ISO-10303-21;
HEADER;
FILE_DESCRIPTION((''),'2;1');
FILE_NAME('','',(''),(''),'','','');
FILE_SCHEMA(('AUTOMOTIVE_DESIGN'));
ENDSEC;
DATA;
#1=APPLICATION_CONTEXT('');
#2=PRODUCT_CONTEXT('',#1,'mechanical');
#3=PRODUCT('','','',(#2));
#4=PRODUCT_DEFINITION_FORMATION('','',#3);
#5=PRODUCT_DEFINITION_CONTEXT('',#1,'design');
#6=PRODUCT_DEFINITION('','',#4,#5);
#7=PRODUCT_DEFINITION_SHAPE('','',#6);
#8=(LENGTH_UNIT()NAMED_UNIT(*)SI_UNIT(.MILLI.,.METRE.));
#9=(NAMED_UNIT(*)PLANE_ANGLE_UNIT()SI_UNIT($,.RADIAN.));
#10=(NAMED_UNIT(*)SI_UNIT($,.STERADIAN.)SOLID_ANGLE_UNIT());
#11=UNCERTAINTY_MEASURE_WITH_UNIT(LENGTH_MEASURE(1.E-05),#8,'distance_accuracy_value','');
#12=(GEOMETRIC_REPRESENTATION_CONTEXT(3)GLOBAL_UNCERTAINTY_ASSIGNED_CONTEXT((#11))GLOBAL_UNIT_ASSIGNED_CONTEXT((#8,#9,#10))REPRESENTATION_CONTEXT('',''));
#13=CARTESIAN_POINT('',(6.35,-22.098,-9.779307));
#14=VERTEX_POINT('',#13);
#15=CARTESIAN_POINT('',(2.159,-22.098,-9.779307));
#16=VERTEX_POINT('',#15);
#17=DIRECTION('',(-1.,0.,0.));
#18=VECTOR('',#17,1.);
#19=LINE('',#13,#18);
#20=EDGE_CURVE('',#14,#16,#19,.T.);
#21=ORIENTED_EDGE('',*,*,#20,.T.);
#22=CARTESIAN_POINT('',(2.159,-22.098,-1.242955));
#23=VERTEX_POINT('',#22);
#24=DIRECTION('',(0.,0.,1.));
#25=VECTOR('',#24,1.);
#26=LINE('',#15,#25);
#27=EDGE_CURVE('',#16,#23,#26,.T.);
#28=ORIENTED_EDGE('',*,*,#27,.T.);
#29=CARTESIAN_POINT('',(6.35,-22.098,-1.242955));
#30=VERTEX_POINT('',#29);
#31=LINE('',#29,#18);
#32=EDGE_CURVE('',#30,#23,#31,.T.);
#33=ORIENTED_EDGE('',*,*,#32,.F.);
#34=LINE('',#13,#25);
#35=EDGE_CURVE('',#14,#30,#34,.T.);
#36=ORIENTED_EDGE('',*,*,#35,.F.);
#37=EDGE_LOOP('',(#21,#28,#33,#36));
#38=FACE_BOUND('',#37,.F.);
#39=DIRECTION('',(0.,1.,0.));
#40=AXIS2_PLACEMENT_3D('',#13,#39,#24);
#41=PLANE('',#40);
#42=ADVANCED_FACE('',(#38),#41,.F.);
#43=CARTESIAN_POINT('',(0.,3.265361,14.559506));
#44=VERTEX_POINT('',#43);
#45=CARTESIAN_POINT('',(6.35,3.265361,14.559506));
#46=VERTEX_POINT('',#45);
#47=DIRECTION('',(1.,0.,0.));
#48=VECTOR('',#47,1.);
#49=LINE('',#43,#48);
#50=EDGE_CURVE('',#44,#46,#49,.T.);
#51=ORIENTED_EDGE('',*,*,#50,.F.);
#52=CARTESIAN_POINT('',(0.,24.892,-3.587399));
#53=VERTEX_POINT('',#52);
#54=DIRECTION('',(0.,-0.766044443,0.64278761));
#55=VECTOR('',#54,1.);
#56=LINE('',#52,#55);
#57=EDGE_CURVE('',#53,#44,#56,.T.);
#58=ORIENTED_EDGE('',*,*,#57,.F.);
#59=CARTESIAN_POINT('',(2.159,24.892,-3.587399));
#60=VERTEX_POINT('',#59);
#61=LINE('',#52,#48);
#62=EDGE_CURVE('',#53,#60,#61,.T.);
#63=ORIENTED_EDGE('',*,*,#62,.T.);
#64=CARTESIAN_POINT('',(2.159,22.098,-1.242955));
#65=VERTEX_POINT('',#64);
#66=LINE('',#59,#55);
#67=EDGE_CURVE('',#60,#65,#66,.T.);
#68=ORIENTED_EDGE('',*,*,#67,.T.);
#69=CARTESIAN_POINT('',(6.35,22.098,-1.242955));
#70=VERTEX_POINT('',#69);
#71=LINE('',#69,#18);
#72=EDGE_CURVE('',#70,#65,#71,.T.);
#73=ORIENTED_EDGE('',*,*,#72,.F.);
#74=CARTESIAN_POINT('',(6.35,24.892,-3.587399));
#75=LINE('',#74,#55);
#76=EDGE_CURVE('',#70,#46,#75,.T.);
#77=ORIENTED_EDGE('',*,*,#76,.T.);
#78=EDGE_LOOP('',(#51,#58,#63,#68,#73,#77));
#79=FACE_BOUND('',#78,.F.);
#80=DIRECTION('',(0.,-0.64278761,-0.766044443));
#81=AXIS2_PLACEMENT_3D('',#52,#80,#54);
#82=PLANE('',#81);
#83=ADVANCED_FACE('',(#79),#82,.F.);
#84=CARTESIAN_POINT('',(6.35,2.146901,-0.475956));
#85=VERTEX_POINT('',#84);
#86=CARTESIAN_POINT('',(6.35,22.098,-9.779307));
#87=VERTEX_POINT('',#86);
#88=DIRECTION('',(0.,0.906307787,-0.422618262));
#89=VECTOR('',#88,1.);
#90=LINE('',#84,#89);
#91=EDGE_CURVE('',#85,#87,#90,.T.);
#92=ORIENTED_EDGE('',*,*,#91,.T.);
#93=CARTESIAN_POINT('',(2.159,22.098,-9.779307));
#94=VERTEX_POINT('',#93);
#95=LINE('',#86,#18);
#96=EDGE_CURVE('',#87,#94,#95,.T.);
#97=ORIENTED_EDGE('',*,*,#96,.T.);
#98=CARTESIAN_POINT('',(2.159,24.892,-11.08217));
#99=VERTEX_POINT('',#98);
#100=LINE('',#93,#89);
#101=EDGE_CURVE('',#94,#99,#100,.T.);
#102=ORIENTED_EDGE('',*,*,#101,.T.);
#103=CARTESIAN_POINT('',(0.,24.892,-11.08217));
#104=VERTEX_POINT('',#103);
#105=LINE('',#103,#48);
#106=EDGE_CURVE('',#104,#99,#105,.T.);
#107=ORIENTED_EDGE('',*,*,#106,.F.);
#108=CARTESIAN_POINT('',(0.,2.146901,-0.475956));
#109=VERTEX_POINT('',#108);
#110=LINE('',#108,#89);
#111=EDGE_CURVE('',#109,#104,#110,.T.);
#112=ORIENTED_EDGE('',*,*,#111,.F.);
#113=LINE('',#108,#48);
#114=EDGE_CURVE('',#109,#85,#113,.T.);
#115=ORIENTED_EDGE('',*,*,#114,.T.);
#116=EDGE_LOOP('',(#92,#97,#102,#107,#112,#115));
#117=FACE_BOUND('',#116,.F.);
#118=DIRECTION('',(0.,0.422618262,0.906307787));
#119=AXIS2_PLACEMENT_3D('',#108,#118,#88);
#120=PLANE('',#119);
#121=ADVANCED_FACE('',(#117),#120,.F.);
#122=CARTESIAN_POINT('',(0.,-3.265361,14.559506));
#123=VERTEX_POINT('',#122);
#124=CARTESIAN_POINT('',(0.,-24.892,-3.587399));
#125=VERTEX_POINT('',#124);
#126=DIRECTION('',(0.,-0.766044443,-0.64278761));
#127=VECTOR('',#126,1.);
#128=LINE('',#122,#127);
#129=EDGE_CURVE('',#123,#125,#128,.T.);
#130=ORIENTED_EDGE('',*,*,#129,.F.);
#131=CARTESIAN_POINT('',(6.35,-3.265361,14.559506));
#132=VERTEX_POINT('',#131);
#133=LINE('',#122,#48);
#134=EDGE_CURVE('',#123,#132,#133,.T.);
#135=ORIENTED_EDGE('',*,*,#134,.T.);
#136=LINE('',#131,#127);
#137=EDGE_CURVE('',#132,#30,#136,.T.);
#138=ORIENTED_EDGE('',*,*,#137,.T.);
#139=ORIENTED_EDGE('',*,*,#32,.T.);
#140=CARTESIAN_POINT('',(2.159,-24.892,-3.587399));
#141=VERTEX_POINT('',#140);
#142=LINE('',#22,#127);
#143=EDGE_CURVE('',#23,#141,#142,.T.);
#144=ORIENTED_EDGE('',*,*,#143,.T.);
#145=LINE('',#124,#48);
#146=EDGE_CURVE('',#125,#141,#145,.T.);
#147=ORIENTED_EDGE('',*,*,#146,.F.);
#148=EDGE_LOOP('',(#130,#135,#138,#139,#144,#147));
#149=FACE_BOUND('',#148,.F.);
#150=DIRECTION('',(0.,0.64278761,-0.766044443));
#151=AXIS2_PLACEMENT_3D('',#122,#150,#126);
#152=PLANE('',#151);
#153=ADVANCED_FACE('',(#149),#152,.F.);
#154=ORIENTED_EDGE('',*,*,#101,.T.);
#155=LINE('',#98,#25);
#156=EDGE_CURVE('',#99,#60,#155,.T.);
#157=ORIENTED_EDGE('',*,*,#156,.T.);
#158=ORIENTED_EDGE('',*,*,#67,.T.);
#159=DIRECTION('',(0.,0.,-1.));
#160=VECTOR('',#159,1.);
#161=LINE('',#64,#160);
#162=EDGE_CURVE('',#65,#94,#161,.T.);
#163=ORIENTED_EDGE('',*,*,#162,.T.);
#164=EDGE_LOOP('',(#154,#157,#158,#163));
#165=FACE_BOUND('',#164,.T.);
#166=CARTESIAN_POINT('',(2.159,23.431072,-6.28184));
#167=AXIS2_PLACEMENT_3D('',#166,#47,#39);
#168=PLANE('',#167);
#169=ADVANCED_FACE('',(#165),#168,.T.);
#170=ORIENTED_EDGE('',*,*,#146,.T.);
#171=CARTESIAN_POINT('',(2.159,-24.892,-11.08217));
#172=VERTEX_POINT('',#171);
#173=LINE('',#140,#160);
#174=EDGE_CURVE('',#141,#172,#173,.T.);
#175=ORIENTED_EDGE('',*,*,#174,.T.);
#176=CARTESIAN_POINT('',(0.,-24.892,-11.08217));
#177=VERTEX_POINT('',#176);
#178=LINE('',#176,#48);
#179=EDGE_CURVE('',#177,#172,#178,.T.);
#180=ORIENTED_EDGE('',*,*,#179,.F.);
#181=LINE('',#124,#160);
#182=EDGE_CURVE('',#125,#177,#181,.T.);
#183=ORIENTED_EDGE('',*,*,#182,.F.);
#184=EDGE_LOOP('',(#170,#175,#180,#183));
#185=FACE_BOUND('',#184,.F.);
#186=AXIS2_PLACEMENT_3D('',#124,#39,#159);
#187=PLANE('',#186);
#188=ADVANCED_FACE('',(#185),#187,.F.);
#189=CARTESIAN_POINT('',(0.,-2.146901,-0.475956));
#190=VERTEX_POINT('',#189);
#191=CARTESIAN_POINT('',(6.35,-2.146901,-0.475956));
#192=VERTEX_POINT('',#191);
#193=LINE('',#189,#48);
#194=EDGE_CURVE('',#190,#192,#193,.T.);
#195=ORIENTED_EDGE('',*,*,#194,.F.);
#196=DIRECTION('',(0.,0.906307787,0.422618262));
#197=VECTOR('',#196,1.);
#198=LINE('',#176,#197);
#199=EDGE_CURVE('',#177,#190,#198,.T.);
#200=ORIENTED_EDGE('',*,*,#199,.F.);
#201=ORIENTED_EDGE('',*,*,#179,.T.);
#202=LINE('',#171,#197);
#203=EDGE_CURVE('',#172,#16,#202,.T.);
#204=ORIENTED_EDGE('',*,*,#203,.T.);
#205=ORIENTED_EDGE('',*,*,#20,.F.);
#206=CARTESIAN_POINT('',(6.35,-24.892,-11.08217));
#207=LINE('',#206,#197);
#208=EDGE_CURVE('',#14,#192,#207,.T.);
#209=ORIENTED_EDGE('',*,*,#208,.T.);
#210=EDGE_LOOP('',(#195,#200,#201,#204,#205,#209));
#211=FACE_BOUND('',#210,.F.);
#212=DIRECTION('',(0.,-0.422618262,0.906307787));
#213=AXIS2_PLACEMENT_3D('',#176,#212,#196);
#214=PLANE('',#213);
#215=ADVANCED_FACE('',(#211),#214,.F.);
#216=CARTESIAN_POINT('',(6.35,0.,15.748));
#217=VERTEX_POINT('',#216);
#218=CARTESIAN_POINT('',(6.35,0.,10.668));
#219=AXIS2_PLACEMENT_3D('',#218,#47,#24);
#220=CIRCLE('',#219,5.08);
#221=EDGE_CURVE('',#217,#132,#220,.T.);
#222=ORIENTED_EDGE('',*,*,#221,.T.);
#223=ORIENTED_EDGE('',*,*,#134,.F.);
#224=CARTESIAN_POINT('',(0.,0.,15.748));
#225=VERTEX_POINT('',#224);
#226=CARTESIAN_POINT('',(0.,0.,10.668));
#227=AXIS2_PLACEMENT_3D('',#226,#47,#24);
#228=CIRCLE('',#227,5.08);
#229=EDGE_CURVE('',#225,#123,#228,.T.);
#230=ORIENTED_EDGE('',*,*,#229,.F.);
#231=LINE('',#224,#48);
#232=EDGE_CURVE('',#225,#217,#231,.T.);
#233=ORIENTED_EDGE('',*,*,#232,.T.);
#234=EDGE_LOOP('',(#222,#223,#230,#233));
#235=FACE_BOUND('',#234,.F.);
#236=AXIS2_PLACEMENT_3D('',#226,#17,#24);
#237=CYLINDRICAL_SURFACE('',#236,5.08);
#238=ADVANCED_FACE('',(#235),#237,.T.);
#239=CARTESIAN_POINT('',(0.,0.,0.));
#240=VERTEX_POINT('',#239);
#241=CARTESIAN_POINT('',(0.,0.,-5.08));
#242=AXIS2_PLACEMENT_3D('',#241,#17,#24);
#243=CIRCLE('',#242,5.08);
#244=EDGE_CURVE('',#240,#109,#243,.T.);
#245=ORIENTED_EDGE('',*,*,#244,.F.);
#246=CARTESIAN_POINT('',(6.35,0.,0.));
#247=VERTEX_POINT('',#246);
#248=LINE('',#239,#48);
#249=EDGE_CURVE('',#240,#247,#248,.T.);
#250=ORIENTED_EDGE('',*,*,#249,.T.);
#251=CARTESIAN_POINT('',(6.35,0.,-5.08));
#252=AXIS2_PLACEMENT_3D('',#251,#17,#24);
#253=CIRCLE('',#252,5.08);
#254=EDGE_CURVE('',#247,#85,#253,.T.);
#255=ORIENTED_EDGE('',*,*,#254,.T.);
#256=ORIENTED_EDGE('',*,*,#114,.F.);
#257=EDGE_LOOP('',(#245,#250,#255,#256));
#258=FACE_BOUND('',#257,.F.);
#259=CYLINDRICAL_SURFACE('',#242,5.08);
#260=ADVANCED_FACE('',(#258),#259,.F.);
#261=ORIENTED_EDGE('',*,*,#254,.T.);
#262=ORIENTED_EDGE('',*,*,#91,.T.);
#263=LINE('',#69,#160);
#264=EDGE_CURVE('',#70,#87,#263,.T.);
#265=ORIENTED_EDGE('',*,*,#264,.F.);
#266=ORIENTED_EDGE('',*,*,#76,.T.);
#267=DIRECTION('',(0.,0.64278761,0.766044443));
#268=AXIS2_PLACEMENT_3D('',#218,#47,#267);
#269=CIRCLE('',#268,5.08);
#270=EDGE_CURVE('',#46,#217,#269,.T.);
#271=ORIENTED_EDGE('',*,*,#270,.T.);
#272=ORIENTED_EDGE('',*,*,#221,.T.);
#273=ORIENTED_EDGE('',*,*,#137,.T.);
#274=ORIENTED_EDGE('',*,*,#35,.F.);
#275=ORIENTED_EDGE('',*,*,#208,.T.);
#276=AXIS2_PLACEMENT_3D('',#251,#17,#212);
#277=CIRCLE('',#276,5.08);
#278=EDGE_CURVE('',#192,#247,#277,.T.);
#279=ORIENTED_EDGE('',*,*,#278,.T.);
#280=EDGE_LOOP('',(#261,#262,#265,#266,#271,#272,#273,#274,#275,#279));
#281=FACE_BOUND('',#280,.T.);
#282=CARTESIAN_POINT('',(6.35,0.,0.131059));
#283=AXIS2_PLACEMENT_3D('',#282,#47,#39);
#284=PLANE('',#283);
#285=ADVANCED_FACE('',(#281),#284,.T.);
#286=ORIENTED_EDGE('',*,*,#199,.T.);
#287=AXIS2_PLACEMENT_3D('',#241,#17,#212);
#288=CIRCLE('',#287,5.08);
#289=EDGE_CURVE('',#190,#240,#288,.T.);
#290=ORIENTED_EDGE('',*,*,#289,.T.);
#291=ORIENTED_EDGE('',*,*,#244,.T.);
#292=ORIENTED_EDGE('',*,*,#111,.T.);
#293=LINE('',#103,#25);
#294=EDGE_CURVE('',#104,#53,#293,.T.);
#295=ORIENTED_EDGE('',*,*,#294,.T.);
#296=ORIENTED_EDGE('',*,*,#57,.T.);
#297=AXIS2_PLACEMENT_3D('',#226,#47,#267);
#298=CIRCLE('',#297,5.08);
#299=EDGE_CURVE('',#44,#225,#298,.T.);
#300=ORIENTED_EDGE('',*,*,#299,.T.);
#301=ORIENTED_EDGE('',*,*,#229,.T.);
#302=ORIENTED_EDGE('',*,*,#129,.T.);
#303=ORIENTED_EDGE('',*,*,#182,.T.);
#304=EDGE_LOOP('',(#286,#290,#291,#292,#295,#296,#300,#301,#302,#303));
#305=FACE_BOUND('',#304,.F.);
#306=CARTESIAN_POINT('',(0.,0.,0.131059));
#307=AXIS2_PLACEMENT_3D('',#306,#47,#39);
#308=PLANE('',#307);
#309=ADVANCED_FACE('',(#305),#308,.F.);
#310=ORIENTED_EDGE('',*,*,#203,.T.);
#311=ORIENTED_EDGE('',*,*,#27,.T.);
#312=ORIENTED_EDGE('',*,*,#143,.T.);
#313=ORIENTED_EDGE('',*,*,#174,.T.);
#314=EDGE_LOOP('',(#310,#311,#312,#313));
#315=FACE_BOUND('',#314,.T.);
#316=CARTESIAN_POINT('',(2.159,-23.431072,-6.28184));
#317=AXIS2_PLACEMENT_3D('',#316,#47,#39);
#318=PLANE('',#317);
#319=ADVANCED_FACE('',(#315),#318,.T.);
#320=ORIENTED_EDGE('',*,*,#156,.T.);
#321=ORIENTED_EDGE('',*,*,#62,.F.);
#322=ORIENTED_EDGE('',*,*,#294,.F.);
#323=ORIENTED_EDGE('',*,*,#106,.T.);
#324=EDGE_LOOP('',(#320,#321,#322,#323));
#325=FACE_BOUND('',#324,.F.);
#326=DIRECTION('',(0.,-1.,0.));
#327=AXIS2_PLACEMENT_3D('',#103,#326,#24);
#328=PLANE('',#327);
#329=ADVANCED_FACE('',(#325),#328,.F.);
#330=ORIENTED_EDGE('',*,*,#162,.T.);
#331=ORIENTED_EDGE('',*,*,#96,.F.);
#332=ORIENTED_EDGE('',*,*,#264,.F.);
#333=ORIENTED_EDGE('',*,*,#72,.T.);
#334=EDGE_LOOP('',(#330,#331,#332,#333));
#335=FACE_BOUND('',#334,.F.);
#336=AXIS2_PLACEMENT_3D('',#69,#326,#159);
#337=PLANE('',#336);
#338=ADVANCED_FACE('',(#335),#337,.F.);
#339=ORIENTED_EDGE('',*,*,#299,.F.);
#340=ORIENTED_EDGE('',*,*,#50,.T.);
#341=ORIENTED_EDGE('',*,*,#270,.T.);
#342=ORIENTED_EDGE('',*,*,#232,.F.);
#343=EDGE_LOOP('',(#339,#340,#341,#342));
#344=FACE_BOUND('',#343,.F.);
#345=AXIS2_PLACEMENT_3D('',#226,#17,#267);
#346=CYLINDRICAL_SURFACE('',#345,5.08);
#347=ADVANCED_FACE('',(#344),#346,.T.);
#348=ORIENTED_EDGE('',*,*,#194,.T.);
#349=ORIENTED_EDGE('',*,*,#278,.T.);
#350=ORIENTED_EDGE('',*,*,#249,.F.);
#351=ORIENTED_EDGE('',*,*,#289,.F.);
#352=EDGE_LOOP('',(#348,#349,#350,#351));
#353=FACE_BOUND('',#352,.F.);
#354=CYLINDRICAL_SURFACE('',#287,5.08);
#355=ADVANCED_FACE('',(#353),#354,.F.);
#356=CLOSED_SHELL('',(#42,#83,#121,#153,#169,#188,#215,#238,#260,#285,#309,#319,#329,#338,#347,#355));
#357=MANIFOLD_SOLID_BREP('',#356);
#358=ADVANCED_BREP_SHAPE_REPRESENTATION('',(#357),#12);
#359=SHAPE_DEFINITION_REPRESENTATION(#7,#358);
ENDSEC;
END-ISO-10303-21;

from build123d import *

# Parameters (mm, degrees)
F1_DEPTH = 6.35
F3_DEPTH = 4.191


with BuildPart() as f1:
    # F0 (on Right) → F1 (new body)
    with BuildSketch(Plane.YZ):
        with BuildLine():
            Line((24.892, -3.5873989895), (3.2653610572, 14.559505771))
            ThreePointArc((3.2653610572, 14.559505771), (1.7374623281, 15.4416385136), (0, 15.748))
            ThreePointArc((0, 15.748), (-1.7374623281, 15.4416385136), (-3.2653610572, 14.559505771))
            Line((-3.2653610572, 14.559505771), (-24.892, -3.5873989895))
            Line((-24.892, -3.5873989895), (-24.892, -11.0821703985))
            Line((-24.892, -11.0821703985), (-2.1469007696, -0.4759564419))
            ThreePointArc((-2.1469007696, -0.4759564419), (-1.0995132388, -0.1204162838), (0, 0))
            ThreePointArc((0, 0), (1.0995132388, -0.1204162838), (2.1469007696, -0.4759564419))
            Line((2.1469007696, -0.4759564419), (24.892, -11.0821703985))
            Line((24.892, -11.0821703985), (24.892, -3.5873989895))
        make_face()
    extrude(amount=F1_DEPTH)

    # F2 (on face) → F3 (cut)
    with BuildSketch(Plane.YZ.offset(6.35)):
        Polygon((22.098, -9.7793068016), (24.892, -11.0821703985), (24.892, -3.5873989895), (22.098, -1.2429546199), align=None)
        Polygon((-22.098, -9.7793068016), (-22.098, -1.2429546199), (-24.892, -3.5873989895), (-24.892, -11.0821703985), align=None)
    extrude(amount=-F3_DEPTH, mode=Mode.SUBTRACT)


solid = f1.part
